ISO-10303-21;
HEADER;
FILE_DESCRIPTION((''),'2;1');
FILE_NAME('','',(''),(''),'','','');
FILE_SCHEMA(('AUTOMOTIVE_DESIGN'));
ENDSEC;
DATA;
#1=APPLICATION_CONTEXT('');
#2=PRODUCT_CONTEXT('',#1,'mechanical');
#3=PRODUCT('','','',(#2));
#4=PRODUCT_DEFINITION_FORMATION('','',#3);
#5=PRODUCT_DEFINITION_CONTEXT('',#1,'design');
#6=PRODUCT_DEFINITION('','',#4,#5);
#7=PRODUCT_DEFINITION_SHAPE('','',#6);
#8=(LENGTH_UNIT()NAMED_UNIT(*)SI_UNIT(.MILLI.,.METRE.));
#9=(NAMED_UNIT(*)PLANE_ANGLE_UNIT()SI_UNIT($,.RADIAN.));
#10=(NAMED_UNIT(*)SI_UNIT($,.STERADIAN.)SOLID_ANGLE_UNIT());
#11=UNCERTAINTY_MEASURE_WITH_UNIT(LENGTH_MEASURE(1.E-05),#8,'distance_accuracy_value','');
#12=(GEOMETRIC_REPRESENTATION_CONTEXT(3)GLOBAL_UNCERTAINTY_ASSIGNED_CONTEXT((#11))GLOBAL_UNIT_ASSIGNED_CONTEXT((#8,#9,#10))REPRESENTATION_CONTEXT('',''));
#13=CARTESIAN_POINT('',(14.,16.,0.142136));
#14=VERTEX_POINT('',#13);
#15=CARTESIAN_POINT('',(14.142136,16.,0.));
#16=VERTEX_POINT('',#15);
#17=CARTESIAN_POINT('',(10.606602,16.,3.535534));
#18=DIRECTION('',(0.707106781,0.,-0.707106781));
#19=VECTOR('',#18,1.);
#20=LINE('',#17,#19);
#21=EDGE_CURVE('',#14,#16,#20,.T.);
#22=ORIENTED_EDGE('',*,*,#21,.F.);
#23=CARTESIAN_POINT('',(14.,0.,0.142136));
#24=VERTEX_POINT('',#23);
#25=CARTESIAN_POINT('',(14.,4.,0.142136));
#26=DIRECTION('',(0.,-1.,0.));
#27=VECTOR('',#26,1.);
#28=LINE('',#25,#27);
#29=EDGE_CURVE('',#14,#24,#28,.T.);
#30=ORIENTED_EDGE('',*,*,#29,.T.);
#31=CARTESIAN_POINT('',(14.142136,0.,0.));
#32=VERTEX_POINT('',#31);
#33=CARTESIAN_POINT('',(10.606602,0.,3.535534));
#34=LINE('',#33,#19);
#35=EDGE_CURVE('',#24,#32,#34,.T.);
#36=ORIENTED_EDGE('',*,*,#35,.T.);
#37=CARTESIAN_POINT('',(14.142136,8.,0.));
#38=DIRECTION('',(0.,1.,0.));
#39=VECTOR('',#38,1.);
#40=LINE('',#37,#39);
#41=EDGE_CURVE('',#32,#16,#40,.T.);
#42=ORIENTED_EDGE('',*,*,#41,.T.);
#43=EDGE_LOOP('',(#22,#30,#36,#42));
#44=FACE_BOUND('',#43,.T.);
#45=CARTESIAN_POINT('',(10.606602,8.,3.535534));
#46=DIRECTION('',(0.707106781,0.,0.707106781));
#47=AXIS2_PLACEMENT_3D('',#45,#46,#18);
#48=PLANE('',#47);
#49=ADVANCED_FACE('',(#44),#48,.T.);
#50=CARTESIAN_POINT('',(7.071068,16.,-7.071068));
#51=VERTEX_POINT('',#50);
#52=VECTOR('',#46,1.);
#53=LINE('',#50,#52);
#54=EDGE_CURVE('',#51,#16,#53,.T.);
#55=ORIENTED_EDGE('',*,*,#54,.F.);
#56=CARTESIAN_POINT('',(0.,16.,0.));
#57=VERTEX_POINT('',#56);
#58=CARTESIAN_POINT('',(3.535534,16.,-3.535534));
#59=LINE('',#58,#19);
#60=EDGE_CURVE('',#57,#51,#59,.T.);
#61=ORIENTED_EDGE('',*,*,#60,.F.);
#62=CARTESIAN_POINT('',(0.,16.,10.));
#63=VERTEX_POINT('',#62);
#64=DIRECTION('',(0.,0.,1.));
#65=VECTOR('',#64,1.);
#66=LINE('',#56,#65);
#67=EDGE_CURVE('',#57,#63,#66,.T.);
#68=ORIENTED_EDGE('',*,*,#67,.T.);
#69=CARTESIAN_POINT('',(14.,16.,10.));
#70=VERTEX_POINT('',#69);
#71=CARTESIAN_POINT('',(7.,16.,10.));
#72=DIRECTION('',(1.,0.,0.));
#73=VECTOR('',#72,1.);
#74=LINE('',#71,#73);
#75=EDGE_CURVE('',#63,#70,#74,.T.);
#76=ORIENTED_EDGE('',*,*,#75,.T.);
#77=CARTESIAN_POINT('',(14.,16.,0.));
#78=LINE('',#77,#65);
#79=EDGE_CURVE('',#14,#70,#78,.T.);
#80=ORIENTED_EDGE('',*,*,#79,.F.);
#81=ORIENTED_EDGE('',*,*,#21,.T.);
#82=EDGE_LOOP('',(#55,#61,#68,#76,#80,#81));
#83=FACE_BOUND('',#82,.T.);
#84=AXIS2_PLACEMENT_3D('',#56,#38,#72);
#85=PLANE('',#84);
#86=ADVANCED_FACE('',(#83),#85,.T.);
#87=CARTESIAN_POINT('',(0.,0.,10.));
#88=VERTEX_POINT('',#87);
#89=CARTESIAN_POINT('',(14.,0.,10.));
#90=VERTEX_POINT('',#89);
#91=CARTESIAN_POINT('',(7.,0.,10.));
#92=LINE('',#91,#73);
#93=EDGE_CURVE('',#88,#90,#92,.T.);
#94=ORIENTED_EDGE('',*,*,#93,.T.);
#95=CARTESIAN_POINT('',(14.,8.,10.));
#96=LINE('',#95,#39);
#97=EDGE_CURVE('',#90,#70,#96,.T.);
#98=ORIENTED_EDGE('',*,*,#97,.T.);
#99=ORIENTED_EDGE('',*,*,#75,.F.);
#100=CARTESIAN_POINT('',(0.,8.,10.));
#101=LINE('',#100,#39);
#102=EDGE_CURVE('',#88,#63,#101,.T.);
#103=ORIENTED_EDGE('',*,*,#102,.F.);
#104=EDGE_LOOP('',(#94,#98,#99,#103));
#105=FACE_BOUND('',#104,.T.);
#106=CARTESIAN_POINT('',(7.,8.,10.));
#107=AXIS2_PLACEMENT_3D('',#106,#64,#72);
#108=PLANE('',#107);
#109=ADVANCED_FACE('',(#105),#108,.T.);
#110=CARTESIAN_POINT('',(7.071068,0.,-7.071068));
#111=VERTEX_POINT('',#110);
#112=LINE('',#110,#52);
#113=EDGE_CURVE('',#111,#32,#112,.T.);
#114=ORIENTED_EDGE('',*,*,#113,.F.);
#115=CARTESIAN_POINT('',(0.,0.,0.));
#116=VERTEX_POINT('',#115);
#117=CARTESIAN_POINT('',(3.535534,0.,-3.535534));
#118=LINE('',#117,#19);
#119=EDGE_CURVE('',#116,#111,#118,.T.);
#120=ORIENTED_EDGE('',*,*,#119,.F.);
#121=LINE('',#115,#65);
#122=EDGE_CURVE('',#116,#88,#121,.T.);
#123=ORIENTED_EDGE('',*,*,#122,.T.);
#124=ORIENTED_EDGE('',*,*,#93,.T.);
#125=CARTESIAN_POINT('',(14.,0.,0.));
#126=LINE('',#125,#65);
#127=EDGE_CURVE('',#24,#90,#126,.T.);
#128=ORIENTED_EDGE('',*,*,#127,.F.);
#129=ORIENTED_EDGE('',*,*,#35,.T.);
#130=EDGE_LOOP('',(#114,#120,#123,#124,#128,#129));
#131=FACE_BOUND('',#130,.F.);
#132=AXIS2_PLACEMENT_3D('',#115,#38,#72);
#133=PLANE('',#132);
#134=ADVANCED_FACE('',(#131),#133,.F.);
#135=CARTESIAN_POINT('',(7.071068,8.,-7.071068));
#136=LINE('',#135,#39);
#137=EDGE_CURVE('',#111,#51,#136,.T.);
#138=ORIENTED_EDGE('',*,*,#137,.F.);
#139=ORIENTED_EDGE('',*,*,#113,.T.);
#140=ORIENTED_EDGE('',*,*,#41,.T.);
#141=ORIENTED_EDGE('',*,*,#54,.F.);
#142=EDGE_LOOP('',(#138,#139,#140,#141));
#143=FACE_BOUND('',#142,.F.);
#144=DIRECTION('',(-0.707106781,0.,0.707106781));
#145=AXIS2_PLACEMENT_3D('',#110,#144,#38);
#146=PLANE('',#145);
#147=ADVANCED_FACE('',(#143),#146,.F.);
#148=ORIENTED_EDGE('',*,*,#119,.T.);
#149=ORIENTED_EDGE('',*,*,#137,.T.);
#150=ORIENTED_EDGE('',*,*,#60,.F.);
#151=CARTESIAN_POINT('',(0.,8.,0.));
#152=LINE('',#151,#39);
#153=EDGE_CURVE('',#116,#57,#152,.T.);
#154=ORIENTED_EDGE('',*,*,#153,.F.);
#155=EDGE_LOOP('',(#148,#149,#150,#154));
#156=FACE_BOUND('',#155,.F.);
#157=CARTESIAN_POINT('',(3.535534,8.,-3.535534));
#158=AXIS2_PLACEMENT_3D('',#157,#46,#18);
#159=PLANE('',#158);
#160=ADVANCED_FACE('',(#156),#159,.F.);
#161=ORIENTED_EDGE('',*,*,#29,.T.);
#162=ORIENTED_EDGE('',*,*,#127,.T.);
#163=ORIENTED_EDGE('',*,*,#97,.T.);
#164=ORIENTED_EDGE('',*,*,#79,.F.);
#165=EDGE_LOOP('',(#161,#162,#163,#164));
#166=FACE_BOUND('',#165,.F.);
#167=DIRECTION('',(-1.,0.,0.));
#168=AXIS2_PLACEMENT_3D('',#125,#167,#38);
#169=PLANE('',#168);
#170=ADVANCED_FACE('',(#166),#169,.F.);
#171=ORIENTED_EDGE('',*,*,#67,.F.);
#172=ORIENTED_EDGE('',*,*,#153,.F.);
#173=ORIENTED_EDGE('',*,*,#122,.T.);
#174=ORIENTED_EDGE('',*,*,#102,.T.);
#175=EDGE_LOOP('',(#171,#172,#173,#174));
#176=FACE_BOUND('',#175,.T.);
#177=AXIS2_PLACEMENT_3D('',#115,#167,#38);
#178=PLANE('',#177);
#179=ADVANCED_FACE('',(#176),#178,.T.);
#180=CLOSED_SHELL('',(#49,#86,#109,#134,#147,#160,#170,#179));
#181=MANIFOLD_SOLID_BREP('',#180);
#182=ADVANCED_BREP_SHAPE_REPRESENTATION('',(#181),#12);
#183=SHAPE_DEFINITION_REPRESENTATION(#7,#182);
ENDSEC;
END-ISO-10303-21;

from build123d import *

# Parameters (mm, degrees)
BOX_W                  = 14
BOX_H                  = 16
BOX_DEPTH              = 10
BOX001_W               = 10
BOX001_H               = 16
BOX001_DEPTH           = 10
BOX001_PLACEMENT_ANGLE = 45


with BuildPart() as cub:
    # Box → Box (new body)
    with BuildSketch(Plane.XY):
        with Locations((7, 8)):
            Rectangle(BOX_W, BOX_H)
    extrude(amount=BOX_DEPTH)


with BuildPart() as fusion:
    # Box001 → Box001 (new body)
    with BuildSketch(Plane.XY):
        with Locations((5, 8)):
            Rectangle(BOX001_W, BOX001_H)
    extrude(amount=BOX001_DEPTH)


with BuildPart() as fusion_1:
    # Box001 placement: moved
    add(fusion.part.rotate(Axis((0, 0, 0), (0, 1, 0)), BOX001_PLACEMENT_ANGLE))

    # Fusion: union Cub
    add(cub.part)


solid = fusion_1.part
